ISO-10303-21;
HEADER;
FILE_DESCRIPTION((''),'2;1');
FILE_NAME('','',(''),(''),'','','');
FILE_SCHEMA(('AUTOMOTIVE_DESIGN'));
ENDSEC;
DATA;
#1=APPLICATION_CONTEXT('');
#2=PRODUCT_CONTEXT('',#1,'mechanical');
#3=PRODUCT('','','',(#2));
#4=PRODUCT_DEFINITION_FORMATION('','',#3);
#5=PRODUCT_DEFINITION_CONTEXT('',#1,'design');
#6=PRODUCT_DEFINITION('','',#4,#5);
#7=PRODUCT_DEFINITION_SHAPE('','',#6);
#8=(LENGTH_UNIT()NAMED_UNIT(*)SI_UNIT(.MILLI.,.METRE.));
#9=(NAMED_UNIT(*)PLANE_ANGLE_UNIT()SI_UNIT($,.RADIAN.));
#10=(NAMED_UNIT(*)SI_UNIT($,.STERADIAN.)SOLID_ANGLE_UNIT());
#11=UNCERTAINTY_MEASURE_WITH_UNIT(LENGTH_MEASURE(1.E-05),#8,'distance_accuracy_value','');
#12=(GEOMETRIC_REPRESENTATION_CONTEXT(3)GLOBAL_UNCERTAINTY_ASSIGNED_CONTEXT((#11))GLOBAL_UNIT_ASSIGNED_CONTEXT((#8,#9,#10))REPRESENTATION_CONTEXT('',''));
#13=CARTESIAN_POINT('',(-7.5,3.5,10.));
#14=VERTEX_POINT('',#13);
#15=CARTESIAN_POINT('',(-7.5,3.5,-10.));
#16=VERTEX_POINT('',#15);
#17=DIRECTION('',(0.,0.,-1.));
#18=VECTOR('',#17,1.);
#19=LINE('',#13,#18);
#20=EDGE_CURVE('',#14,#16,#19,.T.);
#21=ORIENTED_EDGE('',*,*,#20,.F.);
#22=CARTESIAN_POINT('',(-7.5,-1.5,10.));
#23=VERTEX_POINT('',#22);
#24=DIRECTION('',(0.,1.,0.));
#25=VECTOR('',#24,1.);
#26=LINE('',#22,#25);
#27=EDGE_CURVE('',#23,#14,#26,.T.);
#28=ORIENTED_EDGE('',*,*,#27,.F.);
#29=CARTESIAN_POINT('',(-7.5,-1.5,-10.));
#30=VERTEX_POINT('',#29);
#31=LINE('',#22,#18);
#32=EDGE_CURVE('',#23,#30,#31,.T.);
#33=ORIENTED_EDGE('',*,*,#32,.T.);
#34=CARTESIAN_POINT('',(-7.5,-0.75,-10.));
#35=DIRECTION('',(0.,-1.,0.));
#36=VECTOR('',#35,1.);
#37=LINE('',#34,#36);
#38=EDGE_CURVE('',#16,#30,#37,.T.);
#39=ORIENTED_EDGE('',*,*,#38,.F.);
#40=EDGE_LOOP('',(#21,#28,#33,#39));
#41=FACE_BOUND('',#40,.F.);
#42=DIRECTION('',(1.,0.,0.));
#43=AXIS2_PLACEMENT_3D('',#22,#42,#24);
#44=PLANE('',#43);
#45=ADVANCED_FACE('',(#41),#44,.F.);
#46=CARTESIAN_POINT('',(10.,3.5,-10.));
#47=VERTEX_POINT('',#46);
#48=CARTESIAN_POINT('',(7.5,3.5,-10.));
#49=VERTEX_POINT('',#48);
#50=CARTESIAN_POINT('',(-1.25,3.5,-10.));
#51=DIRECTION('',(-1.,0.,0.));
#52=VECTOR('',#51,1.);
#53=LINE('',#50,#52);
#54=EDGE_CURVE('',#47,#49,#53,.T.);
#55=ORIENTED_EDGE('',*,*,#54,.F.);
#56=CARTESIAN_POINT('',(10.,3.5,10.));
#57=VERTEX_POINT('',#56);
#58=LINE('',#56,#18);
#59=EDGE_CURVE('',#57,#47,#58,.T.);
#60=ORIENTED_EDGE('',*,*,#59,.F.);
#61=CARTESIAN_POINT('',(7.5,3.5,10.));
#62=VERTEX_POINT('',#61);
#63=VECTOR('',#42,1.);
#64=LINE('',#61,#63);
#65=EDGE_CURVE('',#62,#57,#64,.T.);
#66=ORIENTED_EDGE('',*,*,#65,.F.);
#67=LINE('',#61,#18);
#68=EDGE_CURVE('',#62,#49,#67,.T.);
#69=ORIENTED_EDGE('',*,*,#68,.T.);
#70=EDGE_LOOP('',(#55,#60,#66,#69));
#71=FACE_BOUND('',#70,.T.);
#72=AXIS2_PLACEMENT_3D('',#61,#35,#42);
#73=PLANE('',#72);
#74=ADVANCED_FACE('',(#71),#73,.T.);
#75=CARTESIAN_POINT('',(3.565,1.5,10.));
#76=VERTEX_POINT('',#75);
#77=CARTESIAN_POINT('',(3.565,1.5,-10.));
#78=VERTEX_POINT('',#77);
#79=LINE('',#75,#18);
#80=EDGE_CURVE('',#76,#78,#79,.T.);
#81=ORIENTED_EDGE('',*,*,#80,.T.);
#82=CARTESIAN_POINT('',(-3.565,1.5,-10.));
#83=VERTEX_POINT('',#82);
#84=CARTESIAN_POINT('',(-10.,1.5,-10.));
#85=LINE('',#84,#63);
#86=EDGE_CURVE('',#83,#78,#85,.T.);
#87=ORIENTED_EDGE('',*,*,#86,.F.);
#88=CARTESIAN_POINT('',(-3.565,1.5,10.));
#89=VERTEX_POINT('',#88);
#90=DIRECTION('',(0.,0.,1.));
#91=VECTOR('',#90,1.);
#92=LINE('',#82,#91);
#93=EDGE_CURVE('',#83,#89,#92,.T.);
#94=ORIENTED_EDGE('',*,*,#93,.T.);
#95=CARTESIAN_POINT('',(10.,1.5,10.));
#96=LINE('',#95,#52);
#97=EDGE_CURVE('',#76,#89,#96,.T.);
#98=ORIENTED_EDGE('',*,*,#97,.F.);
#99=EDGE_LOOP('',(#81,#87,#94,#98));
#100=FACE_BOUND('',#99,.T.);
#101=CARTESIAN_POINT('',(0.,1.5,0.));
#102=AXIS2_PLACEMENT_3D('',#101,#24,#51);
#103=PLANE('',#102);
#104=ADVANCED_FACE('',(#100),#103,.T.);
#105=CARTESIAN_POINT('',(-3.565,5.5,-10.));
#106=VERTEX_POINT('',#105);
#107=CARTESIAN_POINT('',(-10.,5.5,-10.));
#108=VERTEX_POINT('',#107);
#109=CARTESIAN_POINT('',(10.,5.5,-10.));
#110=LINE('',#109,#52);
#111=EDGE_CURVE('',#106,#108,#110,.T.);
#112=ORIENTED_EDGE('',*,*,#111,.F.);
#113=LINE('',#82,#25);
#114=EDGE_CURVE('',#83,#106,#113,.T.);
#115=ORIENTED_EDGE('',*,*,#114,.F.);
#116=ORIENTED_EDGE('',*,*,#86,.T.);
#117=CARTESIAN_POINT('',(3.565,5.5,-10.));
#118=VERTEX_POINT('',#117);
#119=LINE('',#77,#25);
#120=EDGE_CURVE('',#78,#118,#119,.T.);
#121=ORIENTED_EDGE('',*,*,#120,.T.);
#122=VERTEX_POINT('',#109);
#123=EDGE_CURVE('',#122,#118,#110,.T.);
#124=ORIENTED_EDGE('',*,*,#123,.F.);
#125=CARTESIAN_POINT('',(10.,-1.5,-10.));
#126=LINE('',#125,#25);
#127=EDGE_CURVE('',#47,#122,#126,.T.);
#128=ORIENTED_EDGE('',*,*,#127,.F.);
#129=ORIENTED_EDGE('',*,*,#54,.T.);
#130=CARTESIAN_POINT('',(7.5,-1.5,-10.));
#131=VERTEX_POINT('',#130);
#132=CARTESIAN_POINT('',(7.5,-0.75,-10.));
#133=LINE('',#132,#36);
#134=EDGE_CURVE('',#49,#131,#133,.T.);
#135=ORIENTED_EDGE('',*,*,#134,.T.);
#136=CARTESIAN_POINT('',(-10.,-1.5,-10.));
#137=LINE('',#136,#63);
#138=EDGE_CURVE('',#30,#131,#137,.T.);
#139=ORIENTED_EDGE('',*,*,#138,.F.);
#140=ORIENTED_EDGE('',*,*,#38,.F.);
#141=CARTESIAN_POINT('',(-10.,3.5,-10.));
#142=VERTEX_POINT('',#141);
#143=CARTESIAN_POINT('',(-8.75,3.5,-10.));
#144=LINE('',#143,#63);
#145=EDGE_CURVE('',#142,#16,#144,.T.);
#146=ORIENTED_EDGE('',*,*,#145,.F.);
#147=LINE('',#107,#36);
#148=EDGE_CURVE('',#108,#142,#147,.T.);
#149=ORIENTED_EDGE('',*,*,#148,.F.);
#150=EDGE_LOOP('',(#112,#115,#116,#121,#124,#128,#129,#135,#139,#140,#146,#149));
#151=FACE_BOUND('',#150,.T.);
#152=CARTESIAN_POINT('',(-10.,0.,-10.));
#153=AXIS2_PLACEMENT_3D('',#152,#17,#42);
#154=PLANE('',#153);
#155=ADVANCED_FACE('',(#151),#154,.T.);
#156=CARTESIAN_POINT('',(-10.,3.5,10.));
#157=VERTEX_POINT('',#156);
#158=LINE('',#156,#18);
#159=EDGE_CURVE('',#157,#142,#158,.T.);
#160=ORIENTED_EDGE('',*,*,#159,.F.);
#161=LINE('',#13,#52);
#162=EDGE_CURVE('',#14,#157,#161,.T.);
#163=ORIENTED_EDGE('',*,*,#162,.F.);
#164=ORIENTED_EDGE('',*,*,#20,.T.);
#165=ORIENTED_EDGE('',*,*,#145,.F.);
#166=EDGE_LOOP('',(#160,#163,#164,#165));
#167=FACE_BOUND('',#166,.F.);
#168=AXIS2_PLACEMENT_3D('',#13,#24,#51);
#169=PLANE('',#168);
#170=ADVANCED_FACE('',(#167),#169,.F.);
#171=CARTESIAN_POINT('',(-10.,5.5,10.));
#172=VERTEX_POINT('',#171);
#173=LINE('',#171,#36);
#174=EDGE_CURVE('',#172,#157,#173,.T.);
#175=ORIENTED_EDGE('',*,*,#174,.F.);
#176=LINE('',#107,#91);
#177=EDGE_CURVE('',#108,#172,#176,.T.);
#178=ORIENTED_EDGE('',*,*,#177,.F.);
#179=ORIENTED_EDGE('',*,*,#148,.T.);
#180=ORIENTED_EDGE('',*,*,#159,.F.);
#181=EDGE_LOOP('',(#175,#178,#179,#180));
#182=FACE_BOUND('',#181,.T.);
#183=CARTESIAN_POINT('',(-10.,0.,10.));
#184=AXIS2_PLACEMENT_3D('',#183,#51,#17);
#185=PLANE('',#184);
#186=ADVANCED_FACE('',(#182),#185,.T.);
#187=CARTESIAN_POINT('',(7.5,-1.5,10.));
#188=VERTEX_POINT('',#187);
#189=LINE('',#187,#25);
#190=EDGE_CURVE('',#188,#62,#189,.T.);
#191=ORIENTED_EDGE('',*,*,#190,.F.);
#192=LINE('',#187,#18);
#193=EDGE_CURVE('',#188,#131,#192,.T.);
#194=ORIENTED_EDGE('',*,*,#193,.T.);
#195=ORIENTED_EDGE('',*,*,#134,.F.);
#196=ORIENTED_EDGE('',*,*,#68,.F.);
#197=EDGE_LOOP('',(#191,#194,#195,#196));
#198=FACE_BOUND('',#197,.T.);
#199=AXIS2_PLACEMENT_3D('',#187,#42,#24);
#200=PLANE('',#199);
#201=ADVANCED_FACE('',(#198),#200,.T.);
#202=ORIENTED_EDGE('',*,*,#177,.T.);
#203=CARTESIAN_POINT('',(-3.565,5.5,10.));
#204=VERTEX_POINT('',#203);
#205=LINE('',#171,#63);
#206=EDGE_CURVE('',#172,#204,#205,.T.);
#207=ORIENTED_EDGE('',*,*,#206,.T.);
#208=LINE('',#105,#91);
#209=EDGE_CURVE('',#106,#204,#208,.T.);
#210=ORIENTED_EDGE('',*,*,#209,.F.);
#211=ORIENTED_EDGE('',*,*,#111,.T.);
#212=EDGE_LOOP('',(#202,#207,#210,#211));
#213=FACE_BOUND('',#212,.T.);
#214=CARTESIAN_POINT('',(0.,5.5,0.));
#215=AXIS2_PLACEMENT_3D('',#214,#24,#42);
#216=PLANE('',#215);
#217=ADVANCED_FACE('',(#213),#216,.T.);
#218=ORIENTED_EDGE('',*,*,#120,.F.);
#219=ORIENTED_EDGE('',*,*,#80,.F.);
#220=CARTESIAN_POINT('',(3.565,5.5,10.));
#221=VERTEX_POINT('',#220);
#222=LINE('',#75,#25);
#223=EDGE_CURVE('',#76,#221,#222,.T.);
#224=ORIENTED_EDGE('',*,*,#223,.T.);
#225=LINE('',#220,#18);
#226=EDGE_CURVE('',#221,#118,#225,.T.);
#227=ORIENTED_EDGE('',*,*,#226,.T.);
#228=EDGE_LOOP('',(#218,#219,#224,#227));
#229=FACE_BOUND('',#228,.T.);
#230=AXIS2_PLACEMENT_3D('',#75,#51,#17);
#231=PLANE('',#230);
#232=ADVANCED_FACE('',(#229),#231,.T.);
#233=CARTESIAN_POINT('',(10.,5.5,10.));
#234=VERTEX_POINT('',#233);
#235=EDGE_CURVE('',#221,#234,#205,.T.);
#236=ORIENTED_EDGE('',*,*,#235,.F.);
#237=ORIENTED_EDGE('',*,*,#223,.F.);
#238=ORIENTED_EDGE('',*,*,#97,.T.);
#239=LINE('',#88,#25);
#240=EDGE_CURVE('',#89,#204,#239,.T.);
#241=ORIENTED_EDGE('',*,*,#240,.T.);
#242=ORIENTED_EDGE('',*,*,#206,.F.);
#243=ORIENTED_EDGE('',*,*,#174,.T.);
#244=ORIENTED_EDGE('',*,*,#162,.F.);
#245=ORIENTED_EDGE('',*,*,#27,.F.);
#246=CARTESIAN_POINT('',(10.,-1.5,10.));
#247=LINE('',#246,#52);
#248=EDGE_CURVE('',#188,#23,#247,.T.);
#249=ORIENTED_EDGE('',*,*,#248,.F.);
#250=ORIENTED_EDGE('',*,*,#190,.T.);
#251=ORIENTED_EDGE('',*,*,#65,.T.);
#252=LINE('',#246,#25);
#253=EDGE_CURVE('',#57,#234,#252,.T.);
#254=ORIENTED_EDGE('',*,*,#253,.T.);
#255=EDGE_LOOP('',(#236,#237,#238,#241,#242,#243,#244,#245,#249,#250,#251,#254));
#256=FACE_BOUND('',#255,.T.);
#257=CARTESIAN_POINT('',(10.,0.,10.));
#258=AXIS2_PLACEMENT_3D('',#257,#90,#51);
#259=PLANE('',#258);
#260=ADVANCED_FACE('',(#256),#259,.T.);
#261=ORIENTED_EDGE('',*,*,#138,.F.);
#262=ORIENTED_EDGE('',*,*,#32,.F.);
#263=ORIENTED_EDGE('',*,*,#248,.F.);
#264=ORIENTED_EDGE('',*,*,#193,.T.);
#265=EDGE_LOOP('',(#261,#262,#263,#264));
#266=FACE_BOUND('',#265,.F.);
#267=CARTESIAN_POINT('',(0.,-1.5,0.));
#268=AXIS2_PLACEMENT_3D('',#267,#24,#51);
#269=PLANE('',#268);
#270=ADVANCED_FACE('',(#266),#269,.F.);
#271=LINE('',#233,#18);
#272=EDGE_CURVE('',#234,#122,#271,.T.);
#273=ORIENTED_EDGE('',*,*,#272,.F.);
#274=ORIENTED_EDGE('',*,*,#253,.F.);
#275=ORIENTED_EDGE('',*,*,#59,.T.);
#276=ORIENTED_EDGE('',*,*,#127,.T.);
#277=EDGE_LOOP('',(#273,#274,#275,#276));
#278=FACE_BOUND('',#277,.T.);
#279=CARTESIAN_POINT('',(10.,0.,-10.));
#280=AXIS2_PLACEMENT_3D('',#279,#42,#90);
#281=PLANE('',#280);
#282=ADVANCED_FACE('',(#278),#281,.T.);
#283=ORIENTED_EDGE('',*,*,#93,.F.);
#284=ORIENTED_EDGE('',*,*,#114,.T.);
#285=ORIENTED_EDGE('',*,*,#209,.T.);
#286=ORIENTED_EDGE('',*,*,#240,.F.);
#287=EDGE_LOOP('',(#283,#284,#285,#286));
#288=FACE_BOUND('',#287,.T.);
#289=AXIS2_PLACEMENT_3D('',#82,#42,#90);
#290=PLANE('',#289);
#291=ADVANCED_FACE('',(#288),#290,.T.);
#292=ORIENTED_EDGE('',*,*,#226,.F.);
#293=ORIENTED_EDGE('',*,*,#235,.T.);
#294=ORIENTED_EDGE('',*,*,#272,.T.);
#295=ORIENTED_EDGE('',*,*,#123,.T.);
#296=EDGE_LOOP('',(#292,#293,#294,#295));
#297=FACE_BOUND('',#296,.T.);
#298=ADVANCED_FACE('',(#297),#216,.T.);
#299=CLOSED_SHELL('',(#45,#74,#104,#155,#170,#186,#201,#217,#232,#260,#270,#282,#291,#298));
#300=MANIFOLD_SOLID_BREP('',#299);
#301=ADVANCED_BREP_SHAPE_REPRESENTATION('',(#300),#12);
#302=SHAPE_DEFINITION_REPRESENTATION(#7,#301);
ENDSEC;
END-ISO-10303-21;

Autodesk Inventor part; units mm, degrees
ref_plane "YZ Plane" through (0, 0, 0) normal (1, 0, 0) x (0, 1, 0)
ref_plane "XZ Plane" through (0, 0, 0) normal (0, 1, 0) x (-1, 0, 0)
ref_plane "XY Plane" through (0, 0, 0) normal (0, 0, 1) x (1, 0, 0)
sketch "Sketch1" plane through (0, 0, 0) normal (0, 1, 0) x (-1, 0, 0)
  line L0 (-10, 10) -> (10, 10)
  line L1 (10, 10) -> (10, -10)
  line L2 (10, -10) -> (-10, -10)
  line L3 (-10, -10) -> (-10, 10)
  line L4 (-10, 10) -> (10, -10) construction
  line L5 (10, 10) -> (-10, -10) construction
  point P0 (0, 0)
  dimension "d0" = 20
  dimension "d1" = 20
extrude "Extrusion1" add sketch "Sketch1" along normal mid plane 3
sketch "Sketch2" plane through (0, 1.5, 0) normal (0, 1, 0) x (1, 0, 0)
  line L0 (-10, -10) -> (10, -10) projected
  line L1 (10, -10) -> (10, 10) projected
  line L2 (10, 10) -> (-10, 10) projected
  line L3 (-10, 10) -> (-10, -10) projected
  line L4 (-3.565, -10) -> (3.565, -10)
  line L5 (3.565, -10) -> (3.565, 10)
  line L6 (3.565, 10) -> (-3.565, 10)
  line L7 (-3.565, 10) -> (-3.565, -10)
  point P0 (0, 0)
  point P1 (0, 10)
  dimension "d5" = 7.13
extrude "Extrusion2" add sketch "Sketch2" along normal blind 4 contours L3 L2 L7 L0 | L5 L2 L1 L0
sketch "Sketch3" plane through (-10, -1.5, 10) normal (0, 0, 1) x (1, 0, 0)
  line L0 (0, 7) -> (0, 0) projected
  line L1 (2.5, 5) -> (0, 5)
  line L2 (0, 5) -> (0, 0)
  line L3 (0, 0) -> (2.5, 0)
  line L4 (2.5, 0) -> (2.5, 5)
  line L5 (2.5, 5) -> (0, 0) construction
  line L6 (0, 5) -> (2.5, 0) construction
  line L7 (20, 0) -> (0, 0) projected
  line L8 (17.5, 5) -> (20, 5)
  line L9 (20, 5) -> (20, 0)
  line L10 (20, 0) -> (17.5, 0)
  line L11 (17.5, 0) -> (17.5, 5)
  line L12 (17.5, 5) -> (20, 0) construction
  line L13 (20, 5) -> (17.5, 0) construction
  point P0 (10, 1.5)
  point P1 (1.25, 2.5)
  point P2 (18.75, 2.5)
  point P3 (1.25, 2.5)
  point P4 (18.75, 2.5)
  dimension "d8" = 2.5
  dimension "d9" = 5
extrude "Extrusion3" cut sketch "Sketch3" against normal through all
properties part number "RS-FixedFiber"
